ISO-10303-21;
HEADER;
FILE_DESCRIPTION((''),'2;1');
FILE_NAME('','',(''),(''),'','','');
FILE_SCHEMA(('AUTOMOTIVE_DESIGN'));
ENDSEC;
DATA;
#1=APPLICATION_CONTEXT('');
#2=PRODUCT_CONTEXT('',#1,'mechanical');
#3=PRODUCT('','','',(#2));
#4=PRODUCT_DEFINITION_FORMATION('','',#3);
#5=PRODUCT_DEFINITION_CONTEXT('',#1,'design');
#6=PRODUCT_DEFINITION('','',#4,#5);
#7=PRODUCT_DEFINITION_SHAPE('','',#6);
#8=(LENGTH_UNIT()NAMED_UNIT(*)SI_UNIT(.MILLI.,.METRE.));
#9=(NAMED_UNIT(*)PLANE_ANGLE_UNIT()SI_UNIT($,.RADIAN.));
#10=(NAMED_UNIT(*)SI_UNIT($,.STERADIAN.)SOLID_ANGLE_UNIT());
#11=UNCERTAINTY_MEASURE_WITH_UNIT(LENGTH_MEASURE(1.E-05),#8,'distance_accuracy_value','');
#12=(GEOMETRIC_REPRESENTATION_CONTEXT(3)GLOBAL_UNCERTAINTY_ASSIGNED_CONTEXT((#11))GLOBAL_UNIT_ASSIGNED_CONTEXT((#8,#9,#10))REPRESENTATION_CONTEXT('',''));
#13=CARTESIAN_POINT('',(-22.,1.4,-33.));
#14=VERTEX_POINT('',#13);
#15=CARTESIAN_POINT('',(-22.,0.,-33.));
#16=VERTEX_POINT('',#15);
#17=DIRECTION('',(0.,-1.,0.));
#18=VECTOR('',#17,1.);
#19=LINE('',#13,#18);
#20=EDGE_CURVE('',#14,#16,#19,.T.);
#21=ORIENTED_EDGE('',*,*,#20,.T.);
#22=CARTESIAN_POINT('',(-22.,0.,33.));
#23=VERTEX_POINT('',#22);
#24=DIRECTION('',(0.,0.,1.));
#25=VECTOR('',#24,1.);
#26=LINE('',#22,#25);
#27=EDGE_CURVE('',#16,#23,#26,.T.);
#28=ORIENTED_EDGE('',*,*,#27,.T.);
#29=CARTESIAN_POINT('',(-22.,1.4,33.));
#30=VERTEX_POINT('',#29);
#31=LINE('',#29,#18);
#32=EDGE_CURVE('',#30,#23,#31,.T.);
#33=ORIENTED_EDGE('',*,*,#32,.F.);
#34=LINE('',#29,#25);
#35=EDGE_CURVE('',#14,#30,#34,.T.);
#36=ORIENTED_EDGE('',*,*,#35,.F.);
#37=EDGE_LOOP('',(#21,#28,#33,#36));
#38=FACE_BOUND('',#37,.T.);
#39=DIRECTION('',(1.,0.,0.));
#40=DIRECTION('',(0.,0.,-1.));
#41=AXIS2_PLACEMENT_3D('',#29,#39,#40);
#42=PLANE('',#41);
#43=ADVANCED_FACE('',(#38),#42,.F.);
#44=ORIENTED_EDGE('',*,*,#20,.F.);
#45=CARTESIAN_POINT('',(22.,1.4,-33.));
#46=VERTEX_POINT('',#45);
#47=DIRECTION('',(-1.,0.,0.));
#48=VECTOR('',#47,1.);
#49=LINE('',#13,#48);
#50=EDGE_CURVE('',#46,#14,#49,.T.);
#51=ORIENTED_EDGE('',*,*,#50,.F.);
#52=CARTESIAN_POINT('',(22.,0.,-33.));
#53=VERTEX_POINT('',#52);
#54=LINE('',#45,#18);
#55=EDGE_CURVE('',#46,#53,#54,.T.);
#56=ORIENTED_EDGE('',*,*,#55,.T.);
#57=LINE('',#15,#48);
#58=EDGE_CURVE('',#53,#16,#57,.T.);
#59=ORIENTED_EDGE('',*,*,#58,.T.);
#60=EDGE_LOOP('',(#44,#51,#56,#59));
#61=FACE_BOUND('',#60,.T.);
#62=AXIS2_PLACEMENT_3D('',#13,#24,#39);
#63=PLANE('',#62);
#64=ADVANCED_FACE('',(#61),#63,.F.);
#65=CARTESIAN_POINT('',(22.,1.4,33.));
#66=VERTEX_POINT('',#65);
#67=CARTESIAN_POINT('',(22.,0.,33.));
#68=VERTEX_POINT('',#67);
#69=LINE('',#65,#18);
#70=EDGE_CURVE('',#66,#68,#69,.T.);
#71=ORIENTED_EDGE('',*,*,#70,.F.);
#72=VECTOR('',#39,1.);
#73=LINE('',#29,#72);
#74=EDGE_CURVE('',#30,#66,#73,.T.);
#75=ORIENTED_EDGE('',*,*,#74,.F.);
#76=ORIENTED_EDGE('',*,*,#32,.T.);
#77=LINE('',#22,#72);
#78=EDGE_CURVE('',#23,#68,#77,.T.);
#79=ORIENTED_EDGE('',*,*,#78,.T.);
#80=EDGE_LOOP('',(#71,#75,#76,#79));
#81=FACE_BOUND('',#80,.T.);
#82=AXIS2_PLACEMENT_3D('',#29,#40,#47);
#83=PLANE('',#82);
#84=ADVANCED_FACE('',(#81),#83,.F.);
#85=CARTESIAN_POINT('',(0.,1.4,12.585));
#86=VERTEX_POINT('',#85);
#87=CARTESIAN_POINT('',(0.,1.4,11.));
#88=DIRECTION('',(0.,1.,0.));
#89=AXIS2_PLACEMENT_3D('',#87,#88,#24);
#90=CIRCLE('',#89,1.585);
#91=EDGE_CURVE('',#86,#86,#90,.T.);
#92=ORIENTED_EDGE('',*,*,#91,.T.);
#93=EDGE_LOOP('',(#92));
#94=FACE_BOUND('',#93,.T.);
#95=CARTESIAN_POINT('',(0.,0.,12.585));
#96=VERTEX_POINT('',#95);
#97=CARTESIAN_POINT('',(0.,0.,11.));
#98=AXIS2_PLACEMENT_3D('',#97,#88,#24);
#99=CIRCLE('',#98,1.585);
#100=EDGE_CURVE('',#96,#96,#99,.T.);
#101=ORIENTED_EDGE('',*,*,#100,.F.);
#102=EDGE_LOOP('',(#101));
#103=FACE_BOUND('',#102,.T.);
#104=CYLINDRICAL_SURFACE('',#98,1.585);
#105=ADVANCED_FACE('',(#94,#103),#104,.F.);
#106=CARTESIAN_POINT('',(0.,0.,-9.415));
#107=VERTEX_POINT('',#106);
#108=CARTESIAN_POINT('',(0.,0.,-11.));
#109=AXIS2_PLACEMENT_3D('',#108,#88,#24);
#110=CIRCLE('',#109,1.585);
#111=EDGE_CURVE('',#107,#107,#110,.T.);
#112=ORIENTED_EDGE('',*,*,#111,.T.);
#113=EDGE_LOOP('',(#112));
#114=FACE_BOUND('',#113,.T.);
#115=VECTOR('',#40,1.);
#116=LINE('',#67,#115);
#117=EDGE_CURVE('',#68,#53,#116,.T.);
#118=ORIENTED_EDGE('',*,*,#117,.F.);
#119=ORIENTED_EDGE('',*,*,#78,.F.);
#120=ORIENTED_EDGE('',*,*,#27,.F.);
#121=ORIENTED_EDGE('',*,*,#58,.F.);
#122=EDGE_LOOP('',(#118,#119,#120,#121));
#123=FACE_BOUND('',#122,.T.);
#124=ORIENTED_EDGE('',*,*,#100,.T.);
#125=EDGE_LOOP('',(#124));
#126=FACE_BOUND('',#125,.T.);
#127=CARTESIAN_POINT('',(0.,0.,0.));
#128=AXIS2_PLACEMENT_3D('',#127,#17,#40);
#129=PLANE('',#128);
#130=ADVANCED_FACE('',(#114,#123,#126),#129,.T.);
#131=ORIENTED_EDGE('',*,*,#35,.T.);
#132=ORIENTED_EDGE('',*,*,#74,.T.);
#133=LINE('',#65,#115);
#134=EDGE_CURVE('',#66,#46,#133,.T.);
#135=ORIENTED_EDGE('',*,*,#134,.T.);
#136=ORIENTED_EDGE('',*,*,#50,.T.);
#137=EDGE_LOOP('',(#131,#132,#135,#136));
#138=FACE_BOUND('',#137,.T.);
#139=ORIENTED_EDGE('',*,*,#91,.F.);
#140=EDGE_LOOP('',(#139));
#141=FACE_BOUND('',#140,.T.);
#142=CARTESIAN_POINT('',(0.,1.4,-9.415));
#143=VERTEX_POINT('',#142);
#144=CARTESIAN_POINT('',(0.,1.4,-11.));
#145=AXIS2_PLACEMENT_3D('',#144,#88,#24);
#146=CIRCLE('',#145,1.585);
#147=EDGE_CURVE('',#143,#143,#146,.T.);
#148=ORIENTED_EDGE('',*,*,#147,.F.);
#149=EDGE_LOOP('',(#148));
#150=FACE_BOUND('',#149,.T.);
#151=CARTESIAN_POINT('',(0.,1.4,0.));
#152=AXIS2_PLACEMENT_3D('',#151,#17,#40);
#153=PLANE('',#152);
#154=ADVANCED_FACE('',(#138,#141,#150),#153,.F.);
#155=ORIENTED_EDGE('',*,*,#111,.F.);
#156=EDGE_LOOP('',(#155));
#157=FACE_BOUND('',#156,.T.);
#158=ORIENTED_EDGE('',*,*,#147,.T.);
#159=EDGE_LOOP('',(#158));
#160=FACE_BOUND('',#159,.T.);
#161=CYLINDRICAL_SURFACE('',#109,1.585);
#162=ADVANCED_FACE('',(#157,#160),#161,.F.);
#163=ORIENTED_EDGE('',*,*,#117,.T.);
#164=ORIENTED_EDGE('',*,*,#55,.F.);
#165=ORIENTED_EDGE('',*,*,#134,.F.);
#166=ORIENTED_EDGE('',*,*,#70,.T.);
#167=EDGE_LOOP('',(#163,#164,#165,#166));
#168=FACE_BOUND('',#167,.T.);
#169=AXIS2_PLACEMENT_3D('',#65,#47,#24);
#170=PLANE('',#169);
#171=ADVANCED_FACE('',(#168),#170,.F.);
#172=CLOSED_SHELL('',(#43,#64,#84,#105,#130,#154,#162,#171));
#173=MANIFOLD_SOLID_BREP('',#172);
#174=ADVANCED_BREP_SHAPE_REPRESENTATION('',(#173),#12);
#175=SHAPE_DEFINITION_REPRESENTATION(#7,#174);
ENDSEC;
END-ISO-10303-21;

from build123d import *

# Parameters (mm, degrees)
SKETCH1_W           = 44
SKETCH1_H           = 66
BOSS_EXTRUDE1_DEPTH = 1.4
SKETCH2_R           = 1.585
CUT_EXTRUDE1_DEPTH  = 2.4


with BuildPart() as part:
    # Sketch1 → Boss-Extrude1 (new body)
    with BuildSketch(Plane(origin=(0, 0, 0), x_dir=(1, 0, 0), z_dir=(0, 1, 0))):
        Rectangle(SKETCH1_W, SKETCH1_H)
    extrude(amount=BOSS_EXTRUDE1_DEPTH)

    # Sketch2 → Cut-Extrude1 (cut, through all)
    with BuildSketch(Plane(origin=(0, 1.4, 0), x_dir=(1, 0, 0), z_dir=(0, 1, 0))):
        with Locations((0, 11)):
            Circle(SKETCH2_R)
        with Locations((0, -11)):
            Circle(SKETCH2_R)
    extrude(amount=-CUT_EXTRUDE1_DEPTH, mode=Mode.SUBTRACT)


solid = part.part
